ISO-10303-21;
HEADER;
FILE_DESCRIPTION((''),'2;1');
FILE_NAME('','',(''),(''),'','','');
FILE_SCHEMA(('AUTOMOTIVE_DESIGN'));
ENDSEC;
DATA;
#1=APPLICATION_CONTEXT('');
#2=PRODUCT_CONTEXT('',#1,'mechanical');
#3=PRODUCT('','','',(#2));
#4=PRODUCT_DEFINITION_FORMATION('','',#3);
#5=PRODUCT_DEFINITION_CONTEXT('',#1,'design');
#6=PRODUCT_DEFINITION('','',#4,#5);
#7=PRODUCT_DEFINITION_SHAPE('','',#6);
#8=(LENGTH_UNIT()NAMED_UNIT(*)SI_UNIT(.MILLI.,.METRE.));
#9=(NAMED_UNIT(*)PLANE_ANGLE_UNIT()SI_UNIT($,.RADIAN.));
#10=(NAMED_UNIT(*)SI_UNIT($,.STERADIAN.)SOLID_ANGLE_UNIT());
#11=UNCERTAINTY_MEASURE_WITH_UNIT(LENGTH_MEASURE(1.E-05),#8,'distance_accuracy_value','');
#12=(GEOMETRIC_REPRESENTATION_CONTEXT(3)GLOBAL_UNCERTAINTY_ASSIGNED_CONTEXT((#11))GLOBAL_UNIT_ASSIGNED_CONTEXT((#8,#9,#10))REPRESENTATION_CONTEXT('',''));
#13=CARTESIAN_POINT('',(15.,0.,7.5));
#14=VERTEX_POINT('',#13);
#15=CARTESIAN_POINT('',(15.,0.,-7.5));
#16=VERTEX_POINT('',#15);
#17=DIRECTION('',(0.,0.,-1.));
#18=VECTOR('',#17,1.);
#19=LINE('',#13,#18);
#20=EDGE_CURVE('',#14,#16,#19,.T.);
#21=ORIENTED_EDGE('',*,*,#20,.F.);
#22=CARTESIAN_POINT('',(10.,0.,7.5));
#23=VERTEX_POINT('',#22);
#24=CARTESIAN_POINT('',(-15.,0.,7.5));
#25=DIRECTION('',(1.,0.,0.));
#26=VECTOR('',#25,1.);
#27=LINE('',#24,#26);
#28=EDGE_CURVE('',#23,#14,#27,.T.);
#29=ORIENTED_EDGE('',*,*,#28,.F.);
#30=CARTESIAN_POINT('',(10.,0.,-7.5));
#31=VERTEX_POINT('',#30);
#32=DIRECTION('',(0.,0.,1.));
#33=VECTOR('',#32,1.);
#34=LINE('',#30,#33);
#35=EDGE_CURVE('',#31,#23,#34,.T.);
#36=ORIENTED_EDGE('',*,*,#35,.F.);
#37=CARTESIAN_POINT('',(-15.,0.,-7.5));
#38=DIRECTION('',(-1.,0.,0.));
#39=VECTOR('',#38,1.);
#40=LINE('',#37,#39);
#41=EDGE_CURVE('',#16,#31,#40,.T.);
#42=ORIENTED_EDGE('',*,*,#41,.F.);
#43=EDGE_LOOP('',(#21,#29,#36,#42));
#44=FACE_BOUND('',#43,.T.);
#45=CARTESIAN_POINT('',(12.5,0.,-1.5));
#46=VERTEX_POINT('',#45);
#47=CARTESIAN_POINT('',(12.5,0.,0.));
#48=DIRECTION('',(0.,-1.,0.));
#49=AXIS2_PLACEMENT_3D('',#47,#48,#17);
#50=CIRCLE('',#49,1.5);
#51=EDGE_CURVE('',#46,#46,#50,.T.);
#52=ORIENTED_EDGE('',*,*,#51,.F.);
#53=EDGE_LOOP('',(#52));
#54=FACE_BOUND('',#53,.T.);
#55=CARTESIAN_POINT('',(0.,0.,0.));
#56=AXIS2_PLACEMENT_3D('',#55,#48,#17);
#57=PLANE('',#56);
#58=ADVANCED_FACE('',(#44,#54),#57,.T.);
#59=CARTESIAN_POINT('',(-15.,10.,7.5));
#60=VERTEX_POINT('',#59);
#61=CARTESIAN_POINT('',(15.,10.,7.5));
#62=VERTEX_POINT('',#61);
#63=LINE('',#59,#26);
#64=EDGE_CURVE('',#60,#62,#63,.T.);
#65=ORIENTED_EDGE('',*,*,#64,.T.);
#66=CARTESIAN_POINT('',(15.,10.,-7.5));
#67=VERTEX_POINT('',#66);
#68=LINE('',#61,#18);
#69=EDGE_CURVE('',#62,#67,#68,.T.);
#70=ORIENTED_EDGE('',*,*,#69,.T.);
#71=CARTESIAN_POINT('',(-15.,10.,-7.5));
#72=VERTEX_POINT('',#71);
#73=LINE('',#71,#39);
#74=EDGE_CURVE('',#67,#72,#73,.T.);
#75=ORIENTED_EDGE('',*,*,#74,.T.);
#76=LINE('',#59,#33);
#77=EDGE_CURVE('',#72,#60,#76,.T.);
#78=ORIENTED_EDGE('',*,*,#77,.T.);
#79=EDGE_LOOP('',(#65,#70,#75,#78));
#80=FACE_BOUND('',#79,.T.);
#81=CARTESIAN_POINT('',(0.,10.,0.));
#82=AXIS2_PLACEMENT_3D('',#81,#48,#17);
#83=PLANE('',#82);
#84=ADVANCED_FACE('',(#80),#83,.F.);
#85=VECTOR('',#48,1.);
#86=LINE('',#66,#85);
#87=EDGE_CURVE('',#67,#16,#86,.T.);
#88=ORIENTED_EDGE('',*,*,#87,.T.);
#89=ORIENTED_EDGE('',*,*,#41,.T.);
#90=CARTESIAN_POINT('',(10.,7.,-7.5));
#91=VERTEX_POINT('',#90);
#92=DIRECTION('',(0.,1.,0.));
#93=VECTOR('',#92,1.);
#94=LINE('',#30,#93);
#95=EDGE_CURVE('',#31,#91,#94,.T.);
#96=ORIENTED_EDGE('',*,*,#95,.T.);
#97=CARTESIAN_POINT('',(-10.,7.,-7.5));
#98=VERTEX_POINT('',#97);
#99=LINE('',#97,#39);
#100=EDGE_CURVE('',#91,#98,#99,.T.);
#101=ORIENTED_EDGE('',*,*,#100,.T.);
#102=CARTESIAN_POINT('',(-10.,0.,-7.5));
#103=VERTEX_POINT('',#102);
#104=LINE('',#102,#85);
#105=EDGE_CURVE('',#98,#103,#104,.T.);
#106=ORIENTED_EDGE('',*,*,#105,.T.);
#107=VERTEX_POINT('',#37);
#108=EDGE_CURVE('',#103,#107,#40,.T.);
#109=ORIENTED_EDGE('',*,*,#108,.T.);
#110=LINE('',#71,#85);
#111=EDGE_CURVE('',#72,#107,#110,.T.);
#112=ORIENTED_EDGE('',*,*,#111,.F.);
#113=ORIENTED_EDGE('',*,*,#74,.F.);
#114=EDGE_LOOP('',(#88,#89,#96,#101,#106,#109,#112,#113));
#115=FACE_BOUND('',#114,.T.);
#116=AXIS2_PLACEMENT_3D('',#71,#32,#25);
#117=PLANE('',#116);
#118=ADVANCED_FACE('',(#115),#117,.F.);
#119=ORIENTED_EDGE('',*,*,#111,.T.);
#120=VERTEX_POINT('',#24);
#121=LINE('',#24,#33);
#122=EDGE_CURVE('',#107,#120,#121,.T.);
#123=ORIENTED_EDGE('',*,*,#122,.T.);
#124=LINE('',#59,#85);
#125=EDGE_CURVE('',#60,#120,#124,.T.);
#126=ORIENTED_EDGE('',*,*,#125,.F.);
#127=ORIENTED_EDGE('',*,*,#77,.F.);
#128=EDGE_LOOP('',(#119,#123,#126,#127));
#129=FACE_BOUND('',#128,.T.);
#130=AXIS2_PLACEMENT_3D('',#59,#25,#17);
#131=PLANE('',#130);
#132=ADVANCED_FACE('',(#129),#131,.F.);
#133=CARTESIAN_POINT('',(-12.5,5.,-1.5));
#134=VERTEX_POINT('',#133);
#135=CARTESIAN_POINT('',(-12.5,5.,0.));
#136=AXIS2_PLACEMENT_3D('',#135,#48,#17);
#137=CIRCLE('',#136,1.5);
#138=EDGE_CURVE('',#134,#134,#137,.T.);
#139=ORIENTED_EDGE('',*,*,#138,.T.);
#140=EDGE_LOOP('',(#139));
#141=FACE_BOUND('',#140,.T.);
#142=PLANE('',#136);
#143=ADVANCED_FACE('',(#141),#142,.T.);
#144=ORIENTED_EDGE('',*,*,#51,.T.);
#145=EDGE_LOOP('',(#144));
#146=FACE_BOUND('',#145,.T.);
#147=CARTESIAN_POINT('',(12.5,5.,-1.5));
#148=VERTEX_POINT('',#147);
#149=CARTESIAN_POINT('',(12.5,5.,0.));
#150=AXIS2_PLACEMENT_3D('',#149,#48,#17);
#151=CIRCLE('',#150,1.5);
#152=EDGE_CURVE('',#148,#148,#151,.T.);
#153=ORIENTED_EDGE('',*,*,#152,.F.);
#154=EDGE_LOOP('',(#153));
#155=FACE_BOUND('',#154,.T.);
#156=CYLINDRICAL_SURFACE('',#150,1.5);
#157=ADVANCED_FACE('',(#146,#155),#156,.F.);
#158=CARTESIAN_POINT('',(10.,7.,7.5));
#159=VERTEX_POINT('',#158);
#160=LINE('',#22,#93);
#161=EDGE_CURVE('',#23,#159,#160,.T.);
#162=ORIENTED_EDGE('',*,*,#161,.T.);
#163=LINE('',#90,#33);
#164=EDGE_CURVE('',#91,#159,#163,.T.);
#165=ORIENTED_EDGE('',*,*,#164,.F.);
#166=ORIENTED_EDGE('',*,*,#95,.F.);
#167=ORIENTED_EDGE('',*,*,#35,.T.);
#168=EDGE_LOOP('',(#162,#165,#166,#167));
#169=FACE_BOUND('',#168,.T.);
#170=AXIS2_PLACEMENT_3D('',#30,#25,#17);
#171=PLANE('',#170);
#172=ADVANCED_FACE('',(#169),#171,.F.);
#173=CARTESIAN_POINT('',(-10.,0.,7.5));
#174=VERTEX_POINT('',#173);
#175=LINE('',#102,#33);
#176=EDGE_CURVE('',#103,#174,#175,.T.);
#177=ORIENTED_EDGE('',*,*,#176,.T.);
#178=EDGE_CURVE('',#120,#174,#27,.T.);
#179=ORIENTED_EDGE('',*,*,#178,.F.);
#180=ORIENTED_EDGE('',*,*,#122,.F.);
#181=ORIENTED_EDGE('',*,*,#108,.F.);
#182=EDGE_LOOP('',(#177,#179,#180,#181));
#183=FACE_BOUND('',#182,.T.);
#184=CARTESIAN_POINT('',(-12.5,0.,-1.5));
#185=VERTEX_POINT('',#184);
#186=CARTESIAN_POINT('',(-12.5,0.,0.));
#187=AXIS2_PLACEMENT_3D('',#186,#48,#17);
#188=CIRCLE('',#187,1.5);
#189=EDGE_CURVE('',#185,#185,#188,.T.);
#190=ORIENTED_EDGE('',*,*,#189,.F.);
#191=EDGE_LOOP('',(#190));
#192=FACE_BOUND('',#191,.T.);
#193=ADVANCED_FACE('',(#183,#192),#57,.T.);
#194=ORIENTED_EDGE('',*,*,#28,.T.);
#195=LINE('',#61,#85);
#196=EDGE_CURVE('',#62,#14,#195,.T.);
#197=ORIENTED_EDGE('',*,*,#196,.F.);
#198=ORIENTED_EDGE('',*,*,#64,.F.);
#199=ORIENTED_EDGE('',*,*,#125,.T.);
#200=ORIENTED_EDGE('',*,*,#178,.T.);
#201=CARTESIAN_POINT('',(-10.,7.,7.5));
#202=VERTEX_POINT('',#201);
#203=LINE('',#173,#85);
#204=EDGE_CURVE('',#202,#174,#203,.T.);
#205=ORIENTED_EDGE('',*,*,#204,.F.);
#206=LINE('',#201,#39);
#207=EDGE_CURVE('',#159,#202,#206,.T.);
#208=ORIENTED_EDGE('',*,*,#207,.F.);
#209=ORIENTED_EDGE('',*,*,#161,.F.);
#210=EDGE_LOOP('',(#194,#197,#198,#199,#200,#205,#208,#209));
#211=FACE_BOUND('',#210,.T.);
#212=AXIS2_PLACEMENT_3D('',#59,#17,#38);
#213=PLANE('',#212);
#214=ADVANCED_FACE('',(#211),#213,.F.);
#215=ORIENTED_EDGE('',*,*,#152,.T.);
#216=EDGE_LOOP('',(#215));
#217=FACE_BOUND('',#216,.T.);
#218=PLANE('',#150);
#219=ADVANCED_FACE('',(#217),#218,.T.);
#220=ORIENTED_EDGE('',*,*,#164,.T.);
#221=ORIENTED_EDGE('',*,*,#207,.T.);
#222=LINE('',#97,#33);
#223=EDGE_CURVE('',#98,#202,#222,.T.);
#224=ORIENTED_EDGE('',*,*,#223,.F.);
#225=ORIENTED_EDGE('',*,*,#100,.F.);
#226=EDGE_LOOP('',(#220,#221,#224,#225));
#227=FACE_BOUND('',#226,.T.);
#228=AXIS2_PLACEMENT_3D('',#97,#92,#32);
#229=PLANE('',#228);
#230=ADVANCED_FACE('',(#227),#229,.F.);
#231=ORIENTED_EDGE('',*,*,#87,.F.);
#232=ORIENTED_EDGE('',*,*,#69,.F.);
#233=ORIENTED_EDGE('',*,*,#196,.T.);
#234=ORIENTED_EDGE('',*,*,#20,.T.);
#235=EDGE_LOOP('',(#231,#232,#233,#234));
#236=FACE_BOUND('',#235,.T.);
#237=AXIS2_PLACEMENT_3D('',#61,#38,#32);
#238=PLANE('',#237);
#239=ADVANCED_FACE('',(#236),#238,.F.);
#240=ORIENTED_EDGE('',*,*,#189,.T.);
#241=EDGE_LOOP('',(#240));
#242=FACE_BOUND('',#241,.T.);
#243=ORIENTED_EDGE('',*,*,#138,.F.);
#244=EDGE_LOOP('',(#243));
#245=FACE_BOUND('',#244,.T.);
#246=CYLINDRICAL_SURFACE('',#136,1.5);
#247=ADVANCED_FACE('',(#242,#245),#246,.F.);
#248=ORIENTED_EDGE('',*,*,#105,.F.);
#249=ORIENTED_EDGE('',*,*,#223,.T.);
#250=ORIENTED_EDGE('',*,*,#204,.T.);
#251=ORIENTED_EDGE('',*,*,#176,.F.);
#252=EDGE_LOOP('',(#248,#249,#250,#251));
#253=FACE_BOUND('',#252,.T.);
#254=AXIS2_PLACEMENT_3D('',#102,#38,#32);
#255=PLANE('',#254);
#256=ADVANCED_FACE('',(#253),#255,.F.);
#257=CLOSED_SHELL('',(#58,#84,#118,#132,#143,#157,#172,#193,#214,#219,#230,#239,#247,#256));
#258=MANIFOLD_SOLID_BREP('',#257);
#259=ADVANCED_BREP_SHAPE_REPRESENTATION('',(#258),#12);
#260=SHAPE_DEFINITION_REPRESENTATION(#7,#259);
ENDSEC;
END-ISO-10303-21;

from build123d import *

# Parameters (mm, degrees)
SKETCH3_W           = 30
SKETCH3_H           = 15
BOSS_EXTRUDE1_DEPTH = 10
SKETCH4_W           = 20
SKETCH4_H           = 7
CUT_EXTRUDE1_DEPTH  = 16
SKETCH5_R           = 1.5
CUT_EXTRUDE2_DEPTH  = 5


with BuildPart() as part:
    # Sketch3 → Boss-Extrude1 (new body)
    with BuildSketch(Plane(origin=(0, 0, 0), x_dir=(1, 0, 0), z_dir=(0, 1, 0))):
        Rectangle(SKETCH3_W, SKETCH3_H)
    extrude(amount=BOSS_EXTRUDE1_DEPTH)

    # Sketch4 → Cut-Extrude1 (cut, through all)
    with BuildSketch(Plane.XY.offset(7.5)):
        with Locations((0, 3.5)):
            Rectangle(SKETCH4_W, SKETCH4_H)
    extrude(amount=-CUT_EXTRUDE1_DEPTH, mode=Mode.SUBTRACT)

    # Sketch5 → Cut-Extrude2 (cut)
    with BuildSketch(Plane.XZ):
        with Locations((12.5, 0)):
            Circle(SKETCH5_R)
        with Locations((-12.5, 0)):
            Circle(SKETCH5_R)
    extrude(amount=-CUT_EXTRUDE2_DEPTH, mode=Mode.SUBTRACT)


solid = part.part
